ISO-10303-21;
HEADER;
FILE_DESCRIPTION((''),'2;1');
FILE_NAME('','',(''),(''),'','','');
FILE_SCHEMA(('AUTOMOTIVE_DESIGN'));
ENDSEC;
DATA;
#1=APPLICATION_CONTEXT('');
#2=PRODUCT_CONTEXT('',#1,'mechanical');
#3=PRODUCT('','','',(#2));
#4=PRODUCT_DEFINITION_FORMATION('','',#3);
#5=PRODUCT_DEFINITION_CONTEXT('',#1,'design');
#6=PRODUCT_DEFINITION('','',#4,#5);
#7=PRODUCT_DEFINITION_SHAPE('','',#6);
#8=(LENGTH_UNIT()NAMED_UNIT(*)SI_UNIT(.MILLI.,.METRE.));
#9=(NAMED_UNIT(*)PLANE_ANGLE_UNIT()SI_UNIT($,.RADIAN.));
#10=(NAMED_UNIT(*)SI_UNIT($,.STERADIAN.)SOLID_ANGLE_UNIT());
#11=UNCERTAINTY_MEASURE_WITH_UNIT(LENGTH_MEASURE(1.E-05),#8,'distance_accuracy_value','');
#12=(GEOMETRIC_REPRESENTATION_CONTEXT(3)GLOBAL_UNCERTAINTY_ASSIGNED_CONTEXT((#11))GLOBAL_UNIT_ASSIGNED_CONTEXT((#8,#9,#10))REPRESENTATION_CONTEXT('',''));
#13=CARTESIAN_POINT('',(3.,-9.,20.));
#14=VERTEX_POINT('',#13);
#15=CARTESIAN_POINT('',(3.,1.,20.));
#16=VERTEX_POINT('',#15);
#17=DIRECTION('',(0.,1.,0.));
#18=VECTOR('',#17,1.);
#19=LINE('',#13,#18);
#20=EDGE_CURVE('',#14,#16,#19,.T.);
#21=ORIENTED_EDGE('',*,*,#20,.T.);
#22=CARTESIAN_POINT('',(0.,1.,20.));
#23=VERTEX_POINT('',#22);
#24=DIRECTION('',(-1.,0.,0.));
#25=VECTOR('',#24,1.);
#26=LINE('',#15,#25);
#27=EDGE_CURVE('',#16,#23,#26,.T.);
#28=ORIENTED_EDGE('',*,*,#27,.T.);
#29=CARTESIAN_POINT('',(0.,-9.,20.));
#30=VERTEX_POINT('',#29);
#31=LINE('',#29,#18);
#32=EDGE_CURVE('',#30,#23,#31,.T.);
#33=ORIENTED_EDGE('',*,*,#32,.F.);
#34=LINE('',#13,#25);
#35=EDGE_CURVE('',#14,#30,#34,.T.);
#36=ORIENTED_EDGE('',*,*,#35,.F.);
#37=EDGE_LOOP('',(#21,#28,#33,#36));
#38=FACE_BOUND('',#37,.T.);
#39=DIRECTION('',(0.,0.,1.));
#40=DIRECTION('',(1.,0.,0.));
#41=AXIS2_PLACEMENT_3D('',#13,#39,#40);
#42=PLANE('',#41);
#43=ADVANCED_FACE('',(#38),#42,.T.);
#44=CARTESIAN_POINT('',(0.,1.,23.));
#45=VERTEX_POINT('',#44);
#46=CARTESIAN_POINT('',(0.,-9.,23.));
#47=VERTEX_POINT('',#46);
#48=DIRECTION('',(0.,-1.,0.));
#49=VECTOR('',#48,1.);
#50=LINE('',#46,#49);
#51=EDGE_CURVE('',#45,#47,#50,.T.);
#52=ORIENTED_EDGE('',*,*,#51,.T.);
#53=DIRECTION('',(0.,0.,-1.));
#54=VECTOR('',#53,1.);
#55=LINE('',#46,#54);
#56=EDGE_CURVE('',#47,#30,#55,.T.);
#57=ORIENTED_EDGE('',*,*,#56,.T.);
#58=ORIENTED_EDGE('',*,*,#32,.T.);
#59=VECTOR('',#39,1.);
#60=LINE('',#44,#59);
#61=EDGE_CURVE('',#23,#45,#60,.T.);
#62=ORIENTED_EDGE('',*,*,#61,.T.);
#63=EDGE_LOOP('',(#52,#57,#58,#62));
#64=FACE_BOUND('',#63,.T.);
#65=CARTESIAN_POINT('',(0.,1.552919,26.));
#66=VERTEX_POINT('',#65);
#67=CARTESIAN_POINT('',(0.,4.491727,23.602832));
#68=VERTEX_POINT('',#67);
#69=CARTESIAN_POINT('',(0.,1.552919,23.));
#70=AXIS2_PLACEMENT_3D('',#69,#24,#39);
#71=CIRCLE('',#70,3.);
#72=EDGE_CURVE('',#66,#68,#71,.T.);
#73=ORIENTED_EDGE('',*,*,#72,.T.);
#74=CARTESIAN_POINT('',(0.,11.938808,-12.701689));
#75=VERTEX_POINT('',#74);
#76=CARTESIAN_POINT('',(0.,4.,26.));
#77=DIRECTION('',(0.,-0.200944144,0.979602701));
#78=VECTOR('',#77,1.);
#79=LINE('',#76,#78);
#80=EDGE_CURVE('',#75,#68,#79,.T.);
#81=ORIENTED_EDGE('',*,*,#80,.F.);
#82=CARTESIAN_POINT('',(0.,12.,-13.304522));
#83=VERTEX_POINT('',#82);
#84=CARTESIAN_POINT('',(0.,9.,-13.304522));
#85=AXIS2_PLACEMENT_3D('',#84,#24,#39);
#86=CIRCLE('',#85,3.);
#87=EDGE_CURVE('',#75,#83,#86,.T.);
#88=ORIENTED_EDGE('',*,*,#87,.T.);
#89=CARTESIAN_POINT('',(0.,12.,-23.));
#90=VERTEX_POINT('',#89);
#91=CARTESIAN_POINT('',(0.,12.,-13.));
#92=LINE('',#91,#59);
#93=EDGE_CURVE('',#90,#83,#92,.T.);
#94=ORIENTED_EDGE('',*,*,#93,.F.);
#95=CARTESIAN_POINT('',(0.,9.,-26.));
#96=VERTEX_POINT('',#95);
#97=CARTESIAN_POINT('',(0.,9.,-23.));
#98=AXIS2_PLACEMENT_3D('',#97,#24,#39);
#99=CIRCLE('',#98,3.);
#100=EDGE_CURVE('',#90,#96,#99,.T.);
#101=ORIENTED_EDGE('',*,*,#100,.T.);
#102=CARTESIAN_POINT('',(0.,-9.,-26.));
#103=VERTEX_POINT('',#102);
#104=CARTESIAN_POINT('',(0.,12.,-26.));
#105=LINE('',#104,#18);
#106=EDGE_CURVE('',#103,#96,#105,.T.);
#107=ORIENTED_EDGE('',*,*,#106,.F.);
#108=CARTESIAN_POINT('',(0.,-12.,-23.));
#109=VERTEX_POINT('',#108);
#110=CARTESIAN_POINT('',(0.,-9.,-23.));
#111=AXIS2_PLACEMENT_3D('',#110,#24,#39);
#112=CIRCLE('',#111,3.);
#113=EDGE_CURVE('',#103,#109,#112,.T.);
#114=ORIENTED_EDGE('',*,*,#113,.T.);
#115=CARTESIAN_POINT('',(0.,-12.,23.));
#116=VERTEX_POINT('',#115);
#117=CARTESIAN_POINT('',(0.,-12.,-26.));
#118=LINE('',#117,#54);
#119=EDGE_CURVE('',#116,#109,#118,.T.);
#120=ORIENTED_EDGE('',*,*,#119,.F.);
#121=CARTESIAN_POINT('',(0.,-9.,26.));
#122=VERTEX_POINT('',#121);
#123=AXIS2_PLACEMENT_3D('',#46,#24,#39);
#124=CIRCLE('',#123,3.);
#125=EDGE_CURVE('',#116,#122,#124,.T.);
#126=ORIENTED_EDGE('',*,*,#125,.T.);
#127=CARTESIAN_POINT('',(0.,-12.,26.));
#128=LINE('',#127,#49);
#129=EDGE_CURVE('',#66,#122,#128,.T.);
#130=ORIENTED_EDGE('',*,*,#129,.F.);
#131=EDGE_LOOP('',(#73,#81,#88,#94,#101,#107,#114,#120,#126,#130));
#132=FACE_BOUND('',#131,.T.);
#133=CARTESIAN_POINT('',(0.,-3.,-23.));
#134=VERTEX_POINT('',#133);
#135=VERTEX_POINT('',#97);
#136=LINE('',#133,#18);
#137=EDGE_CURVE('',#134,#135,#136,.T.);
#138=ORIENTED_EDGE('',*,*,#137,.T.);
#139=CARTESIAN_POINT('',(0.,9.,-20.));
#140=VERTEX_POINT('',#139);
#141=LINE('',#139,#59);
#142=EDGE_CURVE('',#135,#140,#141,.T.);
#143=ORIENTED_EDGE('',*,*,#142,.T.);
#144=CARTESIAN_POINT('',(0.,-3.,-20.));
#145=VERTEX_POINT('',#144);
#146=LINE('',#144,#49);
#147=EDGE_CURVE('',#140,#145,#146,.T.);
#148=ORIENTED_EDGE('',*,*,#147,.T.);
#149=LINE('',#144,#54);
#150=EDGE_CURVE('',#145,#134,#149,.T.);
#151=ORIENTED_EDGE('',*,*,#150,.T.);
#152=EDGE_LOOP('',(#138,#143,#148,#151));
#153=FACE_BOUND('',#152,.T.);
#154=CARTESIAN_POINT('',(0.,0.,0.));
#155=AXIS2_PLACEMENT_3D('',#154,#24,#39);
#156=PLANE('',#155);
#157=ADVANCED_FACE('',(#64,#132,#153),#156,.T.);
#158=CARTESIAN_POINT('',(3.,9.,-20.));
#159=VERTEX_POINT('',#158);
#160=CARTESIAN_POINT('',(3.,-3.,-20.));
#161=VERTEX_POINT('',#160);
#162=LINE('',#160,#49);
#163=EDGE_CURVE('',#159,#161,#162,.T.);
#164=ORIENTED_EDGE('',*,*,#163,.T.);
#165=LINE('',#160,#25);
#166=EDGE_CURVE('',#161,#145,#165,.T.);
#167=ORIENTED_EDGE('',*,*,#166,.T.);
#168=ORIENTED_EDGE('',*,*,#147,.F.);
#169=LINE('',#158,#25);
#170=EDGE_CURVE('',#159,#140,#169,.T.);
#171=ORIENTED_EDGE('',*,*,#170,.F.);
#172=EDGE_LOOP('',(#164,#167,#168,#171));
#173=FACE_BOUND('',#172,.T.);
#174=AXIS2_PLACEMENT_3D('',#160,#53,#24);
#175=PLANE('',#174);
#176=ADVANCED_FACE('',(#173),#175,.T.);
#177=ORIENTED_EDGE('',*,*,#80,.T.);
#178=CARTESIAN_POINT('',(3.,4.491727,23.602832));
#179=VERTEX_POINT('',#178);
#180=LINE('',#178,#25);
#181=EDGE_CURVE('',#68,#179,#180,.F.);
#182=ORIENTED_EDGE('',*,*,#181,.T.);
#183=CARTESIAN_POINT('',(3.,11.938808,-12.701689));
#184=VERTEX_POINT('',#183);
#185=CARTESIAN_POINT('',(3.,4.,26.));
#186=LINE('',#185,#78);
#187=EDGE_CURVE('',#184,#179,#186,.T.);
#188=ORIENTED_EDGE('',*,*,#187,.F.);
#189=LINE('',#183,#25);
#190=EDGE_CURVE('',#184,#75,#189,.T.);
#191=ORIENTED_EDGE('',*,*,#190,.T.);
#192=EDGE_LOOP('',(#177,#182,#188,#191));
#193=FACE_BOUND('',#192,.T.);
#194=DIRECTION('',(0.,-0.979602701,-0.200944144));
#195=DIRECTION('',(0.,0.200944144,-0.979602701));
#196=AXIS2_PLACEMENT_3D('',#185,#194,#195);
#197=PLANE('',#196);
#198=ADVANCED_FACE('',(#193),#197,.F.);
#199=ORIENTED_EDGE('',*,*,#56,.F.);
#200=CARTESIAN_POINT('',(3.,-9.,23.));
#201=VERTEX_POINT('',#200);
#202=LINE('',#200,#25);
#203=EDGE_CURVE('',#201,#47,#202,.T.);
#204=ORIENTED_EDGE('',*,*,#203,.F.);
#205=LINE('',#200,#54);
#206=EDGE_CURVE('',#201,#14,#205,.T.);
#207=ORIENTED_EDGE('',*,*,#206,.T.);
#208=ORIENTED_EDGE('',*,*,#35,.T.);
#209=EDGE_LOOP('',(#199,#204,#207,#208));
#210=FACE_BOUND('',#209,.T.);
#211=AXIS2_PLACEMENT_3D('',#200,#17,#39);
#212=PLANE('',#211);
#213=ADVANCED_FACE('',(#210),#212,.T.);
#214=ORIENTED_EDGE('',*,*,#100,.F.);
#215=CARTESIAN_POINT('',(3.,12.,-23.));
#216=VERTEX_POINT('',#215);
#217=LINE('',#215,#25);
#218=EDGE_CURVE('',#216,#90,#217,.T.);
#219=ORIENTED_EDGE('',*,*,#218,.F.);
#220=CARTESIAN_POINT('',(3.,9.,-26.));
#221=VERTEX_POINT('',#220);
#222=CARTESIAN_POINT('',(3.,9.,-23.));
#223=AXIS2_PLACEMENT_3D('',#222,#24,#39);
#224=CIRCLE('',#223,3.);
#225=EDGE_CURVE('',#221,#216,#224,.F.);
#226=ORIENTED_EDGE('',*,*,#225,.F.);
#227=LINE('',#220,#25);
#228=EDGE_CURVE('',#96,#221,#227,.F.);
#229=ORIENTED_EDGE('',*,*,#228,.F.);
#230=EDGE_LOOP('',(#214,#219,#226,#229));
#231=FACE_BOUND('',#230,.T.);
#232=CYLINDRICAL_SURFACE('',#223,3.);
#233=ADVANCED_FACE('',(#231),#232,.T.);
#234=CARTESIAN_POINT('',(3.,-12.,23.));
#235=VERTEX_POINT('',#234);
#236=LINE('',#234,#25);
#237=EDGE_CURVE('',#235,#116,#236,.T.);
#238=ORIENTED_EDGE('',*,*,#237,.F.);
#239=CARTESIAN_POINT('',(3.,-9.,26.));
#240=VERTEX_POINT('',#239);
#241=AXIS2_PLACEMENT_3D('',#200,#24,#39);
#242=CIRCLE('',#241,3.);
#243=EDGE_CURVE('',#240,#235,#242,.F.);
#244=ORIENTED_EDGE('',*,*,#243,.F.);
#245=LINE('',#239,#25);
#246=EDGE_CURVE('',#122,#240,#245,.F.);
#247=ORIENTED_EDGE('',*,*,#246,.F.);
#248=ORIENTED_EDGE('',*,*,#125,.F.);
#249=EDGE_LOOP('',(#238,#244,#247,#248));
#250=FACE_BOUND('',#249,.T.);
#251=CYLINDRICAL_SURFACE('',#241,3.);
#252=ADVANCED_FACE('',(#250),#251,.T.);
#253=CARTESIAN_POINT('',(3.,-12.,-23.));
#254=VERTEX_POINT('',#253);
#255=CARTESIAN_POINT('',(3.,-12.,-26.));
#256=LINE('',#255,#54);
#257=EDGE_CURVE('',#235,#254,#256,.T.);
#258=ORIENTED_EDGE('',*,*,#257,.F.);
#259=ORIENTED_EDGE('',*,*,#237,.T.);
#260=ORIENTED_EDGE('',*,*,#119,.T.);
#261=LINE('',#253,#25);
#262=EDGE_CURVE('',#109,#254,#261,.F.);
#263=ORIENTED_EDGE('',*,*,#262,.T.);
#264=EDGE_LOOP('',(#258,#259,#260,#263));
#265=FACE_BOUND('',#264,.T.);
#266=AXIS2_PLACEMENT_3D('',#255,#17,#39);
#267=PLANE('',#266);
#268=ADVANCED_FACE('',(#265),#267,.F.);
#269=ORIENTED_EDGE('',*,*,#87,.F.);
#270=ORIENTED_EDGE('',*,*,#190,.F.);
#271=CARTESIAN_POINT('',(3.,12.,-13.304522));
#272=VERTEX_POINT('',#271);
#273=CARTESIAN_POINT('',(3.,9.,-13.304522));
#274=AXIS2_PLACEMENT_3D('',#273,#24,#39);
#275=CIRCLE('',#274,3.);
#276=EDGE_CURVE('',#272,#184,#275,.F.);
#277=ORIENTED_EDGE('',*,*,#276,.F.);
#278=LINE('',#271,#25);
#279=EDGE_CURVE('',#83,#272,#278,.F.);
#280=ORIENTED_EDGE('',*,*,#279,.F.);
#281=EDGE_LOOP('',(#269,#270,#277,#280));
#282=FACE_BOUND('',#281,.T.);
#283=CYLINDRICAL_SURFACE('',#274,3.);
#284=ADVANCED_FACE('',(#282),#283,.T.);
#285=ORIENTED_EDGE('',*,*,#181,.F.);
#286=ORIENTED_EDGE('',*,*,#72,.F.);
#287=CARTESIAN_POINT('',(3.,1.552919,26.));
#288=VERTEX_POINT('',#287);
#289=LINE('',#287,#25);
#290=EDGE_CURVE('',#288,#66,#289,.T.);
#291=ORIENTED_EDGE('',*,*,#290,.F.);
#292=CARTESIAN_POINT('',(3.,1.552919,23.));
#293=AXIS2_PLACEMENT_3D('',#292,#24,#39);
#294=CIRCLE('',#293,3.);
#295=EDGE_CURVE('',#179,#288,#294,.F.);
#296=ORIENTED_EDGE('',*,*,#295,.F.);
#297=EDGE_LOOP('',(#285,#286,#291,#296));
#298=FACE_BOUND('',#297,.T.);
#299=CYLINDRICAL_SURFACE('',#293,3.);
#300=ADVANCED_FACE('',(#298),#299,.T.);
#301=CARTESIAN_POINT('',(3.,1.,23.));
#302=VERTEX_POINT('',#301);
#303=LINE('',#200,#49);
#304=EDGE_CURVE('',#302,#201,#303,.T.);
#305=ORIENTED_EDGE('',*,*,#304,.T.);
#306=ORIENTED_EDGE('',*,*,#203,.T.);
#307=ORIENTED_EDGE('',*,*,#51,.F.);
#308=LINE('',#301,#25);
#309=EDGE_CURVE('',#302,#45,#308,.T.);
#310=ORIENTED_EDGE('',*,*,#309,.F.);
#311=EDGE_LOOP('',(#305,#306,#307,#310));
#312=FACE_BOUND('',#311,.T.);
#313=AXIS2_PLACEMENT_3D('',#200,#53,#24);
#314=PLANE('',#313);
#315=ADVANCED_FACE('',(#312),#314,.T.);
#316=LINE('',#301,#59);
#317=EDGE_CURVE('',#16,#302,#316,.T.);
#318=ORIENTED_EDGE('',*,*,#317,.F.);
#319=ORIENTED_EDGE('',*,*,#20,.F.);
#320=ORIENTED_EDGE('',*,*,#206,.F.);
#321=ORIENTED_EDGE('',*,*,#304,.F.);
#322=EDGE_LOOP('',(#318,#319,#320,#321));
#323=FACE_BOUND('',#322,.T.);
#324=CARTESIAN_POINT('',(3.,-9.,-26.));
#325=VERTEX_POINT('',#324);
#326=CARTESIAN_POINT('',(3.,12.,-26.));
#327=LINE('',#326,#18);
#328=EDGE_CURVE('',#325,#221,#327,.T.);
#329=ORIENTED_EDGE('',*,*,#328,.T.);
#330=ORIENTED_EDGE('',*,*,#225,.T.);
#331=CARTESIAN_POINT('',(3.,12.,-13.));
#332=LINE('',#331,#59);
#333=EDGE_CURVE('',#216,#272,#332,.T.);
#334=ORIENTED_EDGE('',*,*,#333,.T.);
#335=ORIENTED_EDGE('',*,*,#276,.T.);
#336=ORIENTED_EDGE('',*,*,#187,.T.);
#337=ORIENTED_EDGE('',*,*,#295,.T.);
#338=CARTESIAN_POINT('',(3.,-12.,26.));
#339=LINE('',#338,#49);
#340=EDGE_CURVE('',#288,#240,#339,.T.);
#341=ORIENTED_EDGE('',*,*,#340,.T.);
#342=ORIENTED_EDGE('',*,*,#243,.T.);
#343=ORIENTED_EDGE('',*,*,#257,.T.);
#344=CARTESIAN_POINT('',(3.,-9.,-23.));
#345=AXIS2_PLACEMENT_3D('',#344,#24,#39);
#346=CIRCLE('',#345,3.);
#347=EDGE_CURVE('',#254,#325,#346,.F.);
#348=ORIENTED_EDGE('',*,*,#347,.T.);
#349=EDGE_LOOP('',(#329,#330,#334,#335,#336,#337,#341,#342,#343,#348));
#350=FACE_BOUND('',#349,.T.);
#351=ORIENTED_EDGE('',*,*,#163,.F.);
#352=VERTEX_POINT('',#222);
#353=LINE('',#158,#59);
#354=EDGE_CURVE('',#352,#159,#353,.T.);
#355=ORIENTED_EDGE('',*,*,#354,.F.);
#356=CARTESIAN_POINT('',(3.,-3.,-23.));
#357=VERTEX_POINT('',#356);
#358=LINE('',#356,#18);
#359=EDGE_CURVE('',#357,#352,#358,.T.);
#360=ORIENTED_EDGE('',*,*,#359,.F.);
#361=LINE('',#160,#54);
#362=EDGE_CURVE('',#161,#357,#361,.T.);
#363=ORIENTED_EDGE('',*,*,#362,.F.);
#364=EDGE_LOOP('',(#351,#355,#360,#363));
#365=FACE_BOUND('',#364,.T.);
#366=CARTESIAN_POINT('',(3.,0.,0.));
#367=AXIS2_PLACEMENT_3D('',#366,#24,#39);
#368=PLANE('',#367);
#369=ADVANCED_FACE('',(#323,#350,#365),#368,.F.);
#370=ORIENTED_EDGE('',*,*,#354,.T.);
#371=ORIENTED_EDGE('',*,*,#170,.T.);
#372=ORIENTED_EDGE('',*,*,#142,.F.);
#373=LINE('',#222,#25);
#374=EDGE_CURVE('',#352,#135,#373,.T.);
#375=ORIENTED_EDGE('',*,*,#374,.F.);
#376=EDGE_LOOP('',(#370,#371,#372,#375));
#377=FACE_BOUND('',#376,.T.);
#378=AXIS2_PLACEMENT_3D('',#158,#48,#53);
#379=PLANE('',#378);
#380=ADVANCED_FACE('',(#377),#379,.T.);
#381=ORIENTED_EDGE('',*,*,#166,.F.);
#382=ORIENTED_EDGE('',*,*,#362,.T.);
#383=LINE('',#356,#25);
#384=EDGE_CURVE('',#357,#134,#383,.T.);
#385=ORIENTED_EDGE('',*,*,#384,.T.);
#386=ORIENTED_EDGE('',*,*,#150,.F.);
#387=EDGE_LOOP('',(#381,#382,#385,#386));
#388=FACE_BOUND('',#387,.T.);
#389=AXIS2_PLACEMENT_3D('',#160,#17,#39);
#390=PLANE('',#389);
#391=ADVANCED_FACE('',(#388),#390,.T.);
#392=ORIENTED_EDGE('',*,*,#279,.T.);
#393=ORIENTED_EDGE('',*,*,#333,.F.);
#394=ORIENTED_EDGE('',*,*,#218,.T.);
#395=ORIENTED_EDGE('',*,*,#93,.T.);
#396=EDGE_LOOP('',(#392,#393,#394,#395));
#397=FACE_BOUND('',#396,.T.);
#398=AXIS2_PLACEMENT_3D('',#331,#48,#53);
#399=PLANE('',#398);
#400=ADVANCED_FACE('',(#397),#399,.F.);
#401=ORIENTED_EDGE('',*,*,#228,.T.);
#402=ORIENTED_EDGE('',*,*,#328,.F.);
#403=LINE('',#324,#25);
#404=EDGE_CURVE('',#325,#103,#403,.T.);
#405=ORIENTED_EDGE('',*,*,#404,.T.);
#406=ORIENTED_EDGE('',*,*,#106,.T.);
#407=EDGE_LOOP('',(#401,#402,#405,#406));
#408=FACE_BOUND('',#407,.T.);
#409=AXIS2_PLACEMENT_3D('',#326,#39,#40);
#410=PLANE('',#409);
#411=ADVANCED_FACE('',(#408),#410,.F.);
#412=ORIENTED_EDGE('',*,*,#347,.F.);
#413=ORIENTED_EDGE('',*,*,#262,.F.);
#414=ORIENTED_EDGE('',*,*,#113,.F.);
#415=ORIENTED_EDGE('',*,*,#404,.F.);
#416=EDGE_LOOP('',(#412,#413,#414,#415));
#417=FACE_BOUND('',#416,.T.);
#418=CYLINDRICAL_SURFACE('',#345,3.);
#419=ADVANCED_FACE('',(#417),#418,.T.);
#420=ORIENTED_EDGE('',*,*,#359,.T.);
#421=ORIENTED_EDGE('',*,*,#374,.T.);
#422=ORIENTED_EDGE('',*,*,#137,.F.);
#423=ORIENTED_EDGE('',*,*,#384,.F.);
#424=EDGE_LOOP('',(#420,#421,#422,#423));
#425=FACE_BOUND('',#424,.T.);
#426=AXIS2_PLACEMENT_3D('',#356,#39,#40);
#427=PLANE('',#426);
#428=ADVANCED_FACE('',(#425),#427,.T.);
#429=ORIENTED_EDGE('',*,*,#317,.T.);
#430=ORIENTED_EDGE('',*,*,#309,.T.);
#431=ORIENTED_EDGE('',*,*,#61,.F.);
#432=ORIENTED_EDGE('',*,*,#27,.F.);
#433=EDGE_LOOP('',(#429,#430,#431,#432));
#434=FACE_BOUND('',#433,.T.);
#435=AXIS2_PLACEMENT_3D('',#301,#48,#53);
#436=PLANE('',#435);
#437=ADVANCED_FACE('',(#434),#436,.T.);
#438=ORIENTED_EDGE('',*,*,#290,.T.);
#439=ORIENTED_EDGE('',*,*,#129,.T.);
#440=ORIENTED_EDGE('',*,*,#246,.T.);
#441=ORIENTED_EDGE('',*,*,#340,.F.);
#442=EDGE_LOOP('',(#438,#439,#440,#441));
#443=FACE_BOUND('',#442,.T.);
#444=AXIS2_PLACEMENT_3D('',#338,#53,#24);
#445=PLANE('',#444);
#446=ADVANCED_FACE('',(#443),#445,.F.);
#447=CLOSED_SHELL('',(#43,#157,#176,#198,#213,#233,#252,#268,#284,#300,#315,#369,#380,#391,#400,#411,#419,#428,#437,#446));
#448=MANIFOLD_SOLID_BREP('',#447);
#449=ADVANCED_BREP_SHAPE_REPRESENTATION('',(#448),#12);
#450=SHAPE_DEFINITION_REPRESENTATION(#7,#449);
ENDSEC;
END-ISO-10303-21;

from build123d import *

# Parameters (mm, degrees)
SKETCH_1_W      = 3
SKETCH_1_H      = 10
SKETCH_1_H_2    = 12
EXTRUDE_1_DEPTH = 3
FILLET_1_R      = 3


with BuildPart() as part:
    # Эскиз1 → Бобышка-Вытянуть1 (new body)
    with BuildSketch(Plane(origin=(0, 0, 0), x_dir=(0, 0, -1), z_dir=(1, 0, 0))):
        Polygon((-26, 4), (13, 12), (26, 12), (26, -12), (-26, -12), align=None)
        with Locations((-21.5, -4)):
            Rectangle(SKETCH_1_W, SKETCH_1_H, mode=Mode.SUBTRACT)
        with Locations((21.5, 3)):
            Rectangle(SKETCH_1_W, SKETCH_1_H_2, mode=Mode.SUBTRACT)
    extrude(amount=EXTRUDE_1_DEPTH)

    # Скругление1
    fillet_1_edges = [part.edges().sort_by_distance(p)[0] for p in [
        (1.5, 4, 26),
        (1.5, 12, -13),
        (1.5, 12, -26),
        (1.5, -12, -26),
        (1.5, -12, 26),
    ]]
    fillet(fillet_1_edges, radius=FILLET_1_R)


solid = part.part
